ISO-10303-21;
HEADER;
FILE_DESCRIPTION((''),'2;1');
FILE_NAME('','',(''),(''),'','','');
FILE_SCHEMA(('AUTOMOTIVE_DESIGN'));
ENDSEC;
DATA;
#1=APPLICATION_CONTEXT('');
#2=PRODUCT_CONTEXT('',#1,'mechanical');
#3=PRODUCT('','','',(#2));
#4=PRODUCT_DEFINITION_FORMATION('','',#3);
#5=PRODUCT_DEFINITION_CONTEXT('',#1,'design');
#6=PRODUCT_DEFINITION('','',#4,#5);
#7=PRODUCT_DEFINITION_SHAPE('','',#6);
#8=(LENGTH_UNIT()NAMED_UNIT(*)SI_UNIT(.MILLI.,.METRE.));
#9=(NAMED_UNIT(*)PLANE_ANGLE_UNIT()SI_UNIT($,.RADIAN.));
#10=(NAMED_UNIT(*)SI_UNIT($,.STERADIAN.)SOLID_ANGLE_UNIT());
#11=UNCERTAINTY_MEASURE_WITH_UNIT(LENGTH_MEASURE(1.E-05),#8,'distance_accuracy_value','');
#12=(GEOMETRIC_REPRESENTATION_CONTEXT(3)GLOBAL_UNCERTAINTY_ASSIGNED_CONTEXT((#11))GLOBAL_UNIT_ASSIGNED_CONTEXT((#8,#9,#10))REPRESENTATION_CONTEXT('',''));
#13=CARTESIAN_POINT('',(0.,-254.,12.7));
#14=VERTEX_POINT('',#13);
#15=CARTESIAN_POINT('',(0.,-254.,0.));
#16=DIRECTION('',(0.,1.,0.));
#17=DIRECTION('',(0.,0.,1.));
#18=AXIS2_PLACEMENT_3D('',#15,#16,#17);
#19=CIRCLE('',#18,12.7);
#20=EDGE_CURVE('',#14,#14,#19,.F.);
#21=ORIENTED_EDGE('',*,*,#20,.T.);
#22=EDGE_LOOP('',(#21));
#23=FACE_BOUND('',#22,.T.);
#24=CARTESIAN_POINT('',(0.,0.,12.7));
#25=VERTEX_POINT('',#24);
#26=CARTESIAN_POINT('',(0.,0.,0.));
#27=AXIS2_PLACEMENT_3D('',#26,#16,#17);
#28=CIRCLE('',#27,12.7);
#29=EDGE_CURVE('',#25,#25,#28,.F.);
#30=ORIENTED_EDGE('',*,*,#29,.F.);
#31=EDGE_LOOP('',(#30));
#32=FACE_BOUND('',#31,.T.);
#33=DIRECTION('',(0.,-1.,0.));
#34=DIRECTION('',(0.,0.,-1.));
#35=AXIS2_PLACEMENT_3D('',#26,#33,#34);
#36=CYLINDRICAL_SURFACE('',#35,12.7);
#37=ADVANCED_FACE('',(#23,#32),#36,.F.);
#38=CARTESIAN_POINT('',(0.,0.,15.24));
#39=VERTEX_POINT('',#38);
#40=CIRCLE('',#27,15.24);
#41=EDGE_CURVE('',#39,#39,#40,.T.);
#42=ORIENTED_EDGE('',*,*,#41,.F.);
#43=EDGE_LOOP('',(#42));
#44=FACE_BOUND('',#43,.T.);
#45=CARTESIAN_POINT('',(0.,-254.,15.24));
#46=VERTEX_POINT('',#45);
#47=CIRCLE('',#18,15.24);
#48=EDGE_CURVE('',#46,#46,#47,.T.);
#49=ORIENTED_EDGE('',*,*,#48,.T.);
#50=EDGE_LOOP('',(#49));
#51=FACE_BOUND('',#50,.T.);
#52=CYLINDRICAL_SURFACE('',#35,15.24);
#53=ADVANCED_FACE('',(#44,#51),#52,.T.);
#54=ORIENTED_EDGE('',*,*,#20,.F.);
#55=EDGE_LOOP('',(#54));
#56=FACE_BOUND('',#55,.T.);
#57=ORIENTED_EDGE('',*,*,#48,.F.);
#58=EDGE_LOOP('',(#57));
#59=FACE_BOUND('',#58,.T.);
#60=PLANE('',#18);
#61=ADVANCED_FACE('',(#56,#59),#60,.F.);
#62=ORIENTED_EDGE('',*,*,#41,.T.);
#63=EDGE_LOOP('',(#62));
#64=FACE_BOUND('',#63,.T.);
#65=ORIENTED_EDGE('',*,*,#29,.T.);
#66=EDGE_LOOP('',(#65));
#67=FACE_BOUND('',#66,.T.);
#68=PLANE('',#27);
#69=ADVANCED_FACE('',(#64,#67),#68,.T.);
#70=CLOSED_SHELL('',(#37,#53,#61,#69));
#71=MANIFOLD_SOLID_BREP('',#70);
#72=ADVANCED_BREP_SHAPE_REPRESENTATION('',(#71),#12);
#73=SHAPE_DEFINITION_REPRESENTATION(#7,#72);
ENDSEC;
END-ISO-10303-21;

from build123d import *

# Parameters (mm, degrees)
SKETCH1_R   = 15.24
SKETCH1_R_2 = 12.7


with BuildPart() as part:
    # Sweep1: sweep along a curve in space
    with BuildLine() as sweep1_path:
        Line((0, 0, 0), (0, -254, 0))
    # Sketch1 → Sweep1 (sweep)
    with BuildSketch(Plane(origin=(0, 0, 0), x_dir=(1, 0, 0), z_dir=(0, 1, 0))):
        Circle(SKETCH1_R)
        Circle(SKETCH1_R_2, mode=Mode.SUBTRACT)
    sweep(path=sweep1_path.line)


solid = part.part
